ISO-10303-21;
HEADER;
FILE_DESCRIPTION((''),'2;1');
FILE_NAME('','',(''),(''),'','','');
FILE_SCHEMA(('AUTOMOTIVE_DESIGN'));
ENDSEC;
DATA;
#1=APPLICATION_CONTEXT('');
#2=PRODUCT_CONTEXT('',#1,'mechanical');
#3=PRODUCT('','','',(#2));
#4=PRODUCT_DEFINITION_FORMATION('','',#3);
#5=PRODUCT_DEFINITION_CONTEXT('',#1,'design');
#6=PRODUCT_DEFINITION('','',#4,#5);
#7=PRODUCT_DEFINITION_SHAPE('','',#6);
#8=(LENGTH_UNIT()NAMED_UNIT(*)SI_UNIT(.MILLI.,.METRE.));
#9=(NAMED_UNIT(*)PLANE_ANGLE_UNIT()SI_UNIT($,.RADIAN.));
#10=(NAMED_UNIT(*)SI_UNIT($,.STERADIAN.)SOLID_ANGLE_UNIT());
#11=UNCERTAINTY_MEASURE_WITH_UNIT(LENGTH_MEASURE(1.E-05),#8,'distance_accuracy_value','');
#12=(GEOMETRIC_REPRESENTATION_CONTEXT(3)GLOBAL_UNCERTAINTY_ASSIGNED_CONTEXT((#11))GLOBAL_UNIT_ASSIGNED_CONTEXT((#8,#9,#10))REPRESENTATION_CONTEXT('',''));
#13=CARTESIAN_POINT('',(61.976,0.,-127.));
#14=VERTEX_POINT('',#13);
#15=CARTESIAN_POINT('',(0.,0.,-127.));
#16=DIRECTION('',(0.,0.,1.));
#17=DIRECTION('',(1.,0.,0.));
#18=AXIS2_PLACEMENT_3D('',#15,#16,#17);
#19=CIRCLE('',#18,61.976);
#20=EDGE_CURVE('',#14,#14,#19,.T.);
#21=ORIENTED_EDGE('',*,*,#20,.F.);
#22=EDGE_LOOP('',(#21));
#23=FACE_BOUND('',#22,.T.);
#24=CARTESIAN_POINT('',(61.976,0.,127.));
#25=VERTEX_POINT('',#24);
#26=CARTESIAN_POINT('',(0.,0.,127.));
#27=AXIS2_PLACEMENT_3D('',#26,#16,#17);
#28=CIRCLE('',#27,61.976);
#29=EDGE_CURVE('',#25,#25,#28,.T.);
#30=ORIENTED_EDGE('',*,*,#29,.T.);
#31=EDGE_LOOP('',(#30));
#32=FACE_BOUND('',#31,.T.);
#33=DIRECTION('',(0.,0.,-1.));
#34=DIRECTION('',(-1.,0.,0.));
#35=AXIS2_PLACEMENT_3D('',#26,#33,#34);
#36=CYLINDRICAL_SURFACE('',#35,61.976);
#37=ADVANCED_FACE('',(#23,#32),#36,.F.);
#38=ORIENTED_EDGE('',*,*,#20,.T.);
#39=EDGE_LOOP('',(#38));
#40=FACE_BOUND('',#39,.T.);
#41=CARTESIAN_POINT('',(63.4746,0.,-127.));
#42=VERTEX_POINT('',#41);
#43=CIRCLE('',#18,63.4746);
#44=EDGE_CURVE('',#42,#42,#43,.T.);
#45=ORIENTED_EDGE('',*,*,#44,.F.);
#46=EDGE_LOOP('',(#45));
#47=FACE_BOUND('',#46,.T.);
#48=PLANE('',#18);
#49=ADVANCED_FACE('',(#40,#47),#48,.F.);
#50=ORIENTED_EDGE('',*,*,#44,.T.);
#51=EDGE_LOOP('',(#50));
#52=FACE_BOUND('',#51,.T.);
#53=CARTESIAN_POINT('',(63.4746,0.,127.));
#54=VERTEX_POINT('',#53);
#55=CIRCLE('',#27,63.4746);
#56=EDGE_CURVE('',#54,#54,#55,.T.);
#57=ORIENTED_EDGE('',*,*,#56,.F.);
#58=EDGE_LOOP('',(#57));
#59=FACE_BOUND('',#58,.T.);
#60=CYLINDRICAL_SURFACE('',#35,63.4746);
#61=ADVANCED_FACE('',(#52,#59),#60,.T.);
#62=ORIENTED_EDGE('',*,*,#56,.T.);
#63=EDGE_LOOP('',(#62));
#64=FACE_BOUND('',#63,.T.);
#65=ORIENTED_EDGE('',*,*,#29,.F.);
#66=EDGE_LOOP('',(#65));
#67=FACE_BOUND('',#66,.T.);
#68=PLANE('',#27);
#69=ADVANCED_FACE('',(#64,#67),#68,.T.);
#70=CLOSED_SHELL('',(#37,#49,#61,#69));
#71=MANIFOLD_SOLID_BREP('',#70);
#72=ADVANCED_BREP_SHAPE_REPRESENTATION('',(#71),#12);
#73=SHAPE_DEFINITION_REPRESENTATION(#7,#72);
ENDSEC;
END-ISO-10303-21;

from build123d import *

# Parameters (mm, degrees)
SKETCH1_R           = 63.4746
SKETCH1_R_2         = 61.976
BOSS_EXTRUDE1_DEPTH = 127


with BuildPart() as part:
    # Sketch1 → Boss-Extrude1 (new body, symmetric)
    with BuildSketch(Plane.XY):
        Circle(SKETCH1_R)
        Circle(SKETCH1_R_2, mode=Mode.SUBTRACT)
    extrude(amount=BOSS_EXTRUDE1_DEPTH, both=True)


solid = part.part
